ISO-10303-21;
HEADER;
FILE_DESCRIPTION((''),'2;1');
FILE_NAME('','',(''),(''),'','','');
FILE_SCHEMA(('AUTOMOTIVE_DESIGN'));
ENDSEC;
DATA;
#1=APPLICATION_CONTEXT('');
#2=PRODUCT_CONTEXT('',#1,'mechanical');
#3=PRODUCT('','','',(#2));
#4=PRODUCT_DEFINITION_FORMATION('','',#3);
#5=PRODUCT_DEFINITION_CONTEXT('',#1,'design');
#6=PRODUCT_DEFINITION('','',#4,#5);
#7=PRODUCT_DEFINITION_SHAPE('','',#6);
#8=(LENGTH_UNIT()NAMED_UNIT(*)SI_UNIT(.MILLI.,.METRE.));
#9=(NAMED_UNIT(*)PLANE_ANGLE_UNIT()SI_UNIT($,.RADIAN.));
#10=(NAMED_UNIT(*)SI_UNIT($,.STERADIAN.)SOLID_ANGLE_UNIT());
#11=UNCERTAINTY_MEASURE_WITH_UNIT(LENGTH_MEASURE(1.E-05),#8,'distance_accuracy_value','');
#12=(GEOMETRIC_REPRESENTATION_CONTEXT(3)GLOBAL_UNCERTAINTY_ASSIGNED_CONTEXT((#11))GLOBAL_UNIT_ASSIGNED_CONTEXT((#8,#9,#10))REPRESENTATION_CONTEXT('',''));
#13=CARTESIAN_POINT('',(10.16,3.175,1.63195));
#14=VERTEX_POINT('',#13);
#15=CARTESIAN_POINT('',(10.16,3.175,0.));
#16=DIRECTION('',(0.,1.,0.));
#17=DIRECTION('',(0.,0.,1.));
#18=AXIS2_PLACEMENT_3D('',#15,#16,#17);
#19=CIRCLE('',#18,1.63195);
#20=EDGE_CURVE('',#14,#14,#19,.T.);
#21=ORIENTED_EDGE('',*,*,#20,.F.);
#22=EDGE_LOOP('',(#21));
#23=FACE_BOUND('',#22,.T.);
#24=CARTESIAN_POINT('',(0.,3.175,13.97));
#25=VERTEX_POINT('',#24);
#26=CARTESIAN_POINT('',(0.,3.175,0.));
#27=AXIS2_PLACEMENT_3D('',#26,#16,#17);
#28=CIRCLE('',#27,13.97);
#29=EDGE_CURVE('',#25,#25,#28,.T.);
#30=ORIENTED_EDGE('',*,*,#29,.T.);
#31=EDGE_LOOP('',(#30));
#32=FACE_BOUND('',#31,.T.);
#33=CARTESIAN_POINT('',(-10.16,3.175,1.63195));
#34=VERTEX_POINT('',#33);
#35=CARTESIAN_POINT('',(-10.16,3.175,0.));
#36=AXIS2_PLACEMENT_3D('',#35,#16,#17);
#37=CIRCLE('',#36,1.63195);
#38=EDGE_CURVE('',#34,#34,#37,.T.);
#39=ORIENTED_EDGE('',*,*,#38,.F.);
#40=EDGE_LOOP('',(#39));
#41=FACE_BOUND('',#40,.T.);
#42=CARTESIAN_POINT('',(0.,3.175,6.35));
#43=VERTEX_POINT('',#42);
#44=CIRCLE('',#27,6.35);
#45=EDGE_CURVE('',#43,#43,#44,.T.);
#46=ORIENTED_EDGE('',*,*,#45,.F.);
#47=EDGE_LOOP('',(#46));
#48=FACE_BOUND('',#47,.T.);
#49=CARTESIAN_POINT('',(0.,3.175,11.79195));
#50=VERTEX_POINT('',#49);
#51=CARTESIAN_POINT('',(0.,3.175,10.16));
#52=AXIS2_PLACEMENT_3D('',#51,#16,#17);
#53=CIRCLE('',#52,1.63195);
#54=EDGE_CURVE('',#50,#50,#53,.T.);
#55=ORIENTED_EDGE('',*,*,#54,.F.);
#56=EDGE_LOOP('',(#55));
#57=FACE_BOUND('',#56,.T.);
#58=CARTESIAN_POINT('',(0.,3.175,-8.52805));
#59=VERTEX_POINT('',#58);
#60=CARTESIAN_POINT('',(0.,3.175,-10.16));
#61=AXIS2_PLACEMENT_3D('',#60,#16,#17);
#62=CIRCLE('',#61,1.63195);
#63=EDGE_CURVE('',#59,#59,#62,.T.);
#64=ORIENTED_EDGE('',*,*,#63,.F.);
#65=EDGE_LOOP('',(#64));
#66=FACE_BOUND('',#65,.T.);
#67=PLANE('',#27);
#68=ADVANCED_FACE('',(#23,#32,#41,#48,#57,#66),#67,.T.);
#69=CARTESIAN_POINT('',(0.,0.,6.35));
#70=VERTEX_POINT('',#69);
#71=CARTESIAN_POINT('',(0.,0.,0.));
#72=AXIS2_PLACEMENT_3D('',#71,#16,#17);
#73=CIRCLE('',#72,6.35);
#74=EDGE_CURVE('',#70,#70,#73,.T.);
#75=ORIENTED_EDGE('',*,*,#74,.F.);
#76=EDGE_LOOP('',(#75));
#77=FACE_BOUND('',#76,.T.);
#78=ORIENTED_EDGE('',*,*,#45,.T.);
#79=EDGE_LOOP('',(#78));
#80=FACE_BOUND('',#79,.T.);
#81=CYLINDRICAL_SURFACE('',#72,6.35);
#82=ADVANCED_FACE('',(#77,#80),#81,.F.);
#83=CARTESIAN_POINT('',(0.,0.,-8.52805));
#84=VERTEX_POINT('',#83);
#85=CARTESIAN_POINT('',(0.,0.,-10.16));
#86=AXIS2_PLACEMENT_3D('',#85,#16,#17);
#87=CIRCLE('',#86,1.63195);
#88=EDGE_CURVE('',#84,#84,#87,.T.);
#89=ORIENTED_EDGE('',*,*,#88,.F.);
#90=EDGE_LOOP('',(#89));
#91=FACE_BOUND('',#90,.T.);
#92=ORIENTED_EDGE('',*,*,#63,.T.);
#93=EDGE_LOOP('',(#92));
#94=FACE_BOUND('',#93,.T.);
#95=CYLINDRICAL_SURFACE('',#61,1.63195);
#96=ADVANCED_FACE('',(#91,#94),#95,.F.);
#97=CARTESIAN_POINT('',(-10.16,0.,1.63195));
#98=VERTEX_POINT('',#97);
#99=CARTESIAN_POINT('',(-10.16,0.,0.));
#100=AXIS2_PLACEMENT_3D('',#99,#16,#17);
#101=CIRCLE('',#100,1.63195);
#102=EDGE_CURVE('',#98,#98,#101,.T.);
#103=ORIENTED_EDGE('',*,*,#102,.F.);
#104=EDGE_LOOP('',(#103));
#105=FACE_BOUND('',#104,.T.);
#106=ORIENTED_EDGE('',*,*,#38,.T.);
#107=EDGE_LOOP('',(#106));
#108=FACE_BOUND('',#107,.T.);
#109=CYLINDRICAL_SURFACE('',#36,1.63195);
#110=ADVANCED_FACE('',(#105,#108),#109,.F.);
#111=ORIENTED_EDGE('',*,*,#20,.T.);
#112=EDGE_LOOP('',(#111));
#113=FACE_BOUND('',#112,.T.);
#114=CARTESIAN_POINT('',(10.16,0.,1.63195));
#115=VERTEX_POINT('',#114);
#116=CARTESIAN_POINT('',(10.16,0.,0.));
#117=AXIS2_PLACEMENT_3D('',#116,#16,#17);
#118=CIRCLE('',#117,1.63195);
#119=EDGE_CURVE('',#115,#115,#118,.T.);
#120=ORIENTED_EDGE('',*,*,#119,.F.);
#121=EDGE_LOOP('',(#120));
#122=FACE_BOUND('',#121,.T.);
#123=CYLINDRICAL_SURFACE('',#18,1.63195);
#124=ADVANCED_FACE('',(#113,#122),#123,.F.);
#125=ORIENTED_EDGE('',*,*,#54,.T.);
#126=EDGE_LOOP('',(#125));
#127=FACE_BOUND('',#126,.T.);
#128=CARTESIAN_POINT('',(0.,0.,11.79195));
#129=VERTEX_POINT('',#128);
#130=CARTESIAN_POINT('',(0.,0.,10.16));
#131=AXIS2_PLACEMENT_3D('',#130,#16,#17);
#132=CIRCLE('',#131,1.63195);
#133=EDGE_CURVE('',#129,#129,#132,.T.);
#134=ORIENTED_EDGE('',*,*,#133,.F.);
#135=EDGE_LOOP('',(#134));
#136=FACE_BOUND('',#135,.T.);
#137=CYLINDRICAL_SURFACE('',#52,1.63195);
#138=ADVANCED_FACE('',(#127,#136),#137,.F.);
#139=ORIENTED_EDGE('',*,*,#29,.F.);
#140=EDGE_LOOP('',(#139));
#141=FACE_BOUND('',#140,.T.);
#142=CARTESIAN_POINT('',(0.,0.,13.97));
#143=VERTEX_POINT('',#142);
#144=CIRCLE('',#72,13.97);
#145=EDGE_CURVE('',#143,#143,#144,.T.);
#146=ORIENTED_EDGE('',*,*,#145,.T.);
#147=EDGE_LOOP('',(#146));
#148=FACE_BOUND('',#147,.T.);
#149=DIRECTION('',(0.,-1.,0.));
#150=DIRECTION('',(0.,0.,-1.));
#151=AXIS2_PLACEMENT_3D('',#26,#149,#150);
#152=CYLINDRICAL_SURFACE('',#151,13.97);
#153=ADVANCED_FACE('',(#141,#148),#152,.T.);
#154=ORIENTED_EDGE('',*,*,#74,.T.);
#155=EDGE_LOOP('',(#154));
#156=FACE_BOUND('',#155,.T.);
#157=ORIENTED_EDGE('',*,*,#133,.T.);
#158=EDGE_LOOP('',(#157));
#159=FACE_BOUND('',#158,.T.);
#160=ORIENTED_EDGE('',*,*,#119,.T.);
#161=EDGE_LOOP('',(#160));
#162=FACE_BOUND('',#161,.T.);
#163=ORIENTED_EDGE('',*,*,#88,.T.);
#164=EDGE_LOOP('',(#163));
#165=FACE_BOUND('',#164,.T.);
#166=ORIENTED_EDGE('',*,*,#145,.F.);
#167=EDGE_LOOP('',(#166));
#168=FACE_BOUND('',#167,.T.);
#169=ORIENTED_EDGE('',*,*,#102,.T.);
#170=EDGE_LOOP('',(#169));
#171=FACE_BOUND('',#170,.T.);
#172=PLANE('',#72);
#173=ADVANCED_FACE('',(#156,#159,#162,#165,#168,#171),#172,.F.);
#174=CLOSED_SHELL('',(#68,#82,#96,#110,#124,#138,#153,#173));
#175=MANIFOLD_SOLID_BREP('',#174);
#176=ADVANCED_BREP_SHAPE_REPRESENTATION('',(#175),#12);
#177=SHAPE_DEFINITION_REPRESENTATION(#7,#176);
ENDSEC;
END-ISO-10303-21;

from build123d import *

# Parameters (mm, degrees)
SKETCH1_R           = 13.97
BOSS_EXTRUDE1_DEPTH = 3.175
SKETCH5_R           = 6.35
CUT_EXTRUDE2_DEPTH  = 3.175
CIRPATTERN1_COUNT   = 4


with BuildPart() as part:
    # Sketch1 → Boss-Extrude1 (new body)
    with BuildSketch(Plane(origin=(0, 0, 0), x_dir=(1, 0, 0), z_dir=(0, 1, 0))):
        Circle(SKETCH1_R)
    extrude(amount=BOSS_EXTRUDE1_DEPTH)

    # Sketch5 → Cut-Extrude2 (cut)
    with BuildSketch(Plane(origin=(0, 3.175, 0), x_dir=(1, 0, 0), z_dir=(0, 1, 0))):
        Circle(SKETCH5_R)
    extrude(amount=-CUT_EXTRUDE2_DEPTH, mode=Mode.SUBTRACT)

    # Sketch6 → #4 Clearance Hole1 (revolve, cut)
    with BuildSketch(Plane(origin=(10.16, 3.175, 0), x_dir=(0, 0, 1), z_dir=(1, 0, 0))):
        Polygon((0, 0), (0, 11.140574487), (1.63195, 10.16), (1.63195, 0), align=None)
    f_4_clearance_hole1 = revolve(axis=Axis((10.16, 9.525, 0), (0, -1, 0)), mode=Mode.SUBTRACT)

    # CirPattern1: #4 Clearance Hole1 ×4 about axis
    cirpattern1_axis = Axis((0, 0, 0), (0, 1, 0))
    for i in range(1, CIRPATTERN1_COUNT):
        add(f_4_clearance_hole1.rotate(cirpattern1_axis, i * 360 / CIRPATTERN1_COUNT), mode=Mode.SUBTRACT)


solid = part.part
